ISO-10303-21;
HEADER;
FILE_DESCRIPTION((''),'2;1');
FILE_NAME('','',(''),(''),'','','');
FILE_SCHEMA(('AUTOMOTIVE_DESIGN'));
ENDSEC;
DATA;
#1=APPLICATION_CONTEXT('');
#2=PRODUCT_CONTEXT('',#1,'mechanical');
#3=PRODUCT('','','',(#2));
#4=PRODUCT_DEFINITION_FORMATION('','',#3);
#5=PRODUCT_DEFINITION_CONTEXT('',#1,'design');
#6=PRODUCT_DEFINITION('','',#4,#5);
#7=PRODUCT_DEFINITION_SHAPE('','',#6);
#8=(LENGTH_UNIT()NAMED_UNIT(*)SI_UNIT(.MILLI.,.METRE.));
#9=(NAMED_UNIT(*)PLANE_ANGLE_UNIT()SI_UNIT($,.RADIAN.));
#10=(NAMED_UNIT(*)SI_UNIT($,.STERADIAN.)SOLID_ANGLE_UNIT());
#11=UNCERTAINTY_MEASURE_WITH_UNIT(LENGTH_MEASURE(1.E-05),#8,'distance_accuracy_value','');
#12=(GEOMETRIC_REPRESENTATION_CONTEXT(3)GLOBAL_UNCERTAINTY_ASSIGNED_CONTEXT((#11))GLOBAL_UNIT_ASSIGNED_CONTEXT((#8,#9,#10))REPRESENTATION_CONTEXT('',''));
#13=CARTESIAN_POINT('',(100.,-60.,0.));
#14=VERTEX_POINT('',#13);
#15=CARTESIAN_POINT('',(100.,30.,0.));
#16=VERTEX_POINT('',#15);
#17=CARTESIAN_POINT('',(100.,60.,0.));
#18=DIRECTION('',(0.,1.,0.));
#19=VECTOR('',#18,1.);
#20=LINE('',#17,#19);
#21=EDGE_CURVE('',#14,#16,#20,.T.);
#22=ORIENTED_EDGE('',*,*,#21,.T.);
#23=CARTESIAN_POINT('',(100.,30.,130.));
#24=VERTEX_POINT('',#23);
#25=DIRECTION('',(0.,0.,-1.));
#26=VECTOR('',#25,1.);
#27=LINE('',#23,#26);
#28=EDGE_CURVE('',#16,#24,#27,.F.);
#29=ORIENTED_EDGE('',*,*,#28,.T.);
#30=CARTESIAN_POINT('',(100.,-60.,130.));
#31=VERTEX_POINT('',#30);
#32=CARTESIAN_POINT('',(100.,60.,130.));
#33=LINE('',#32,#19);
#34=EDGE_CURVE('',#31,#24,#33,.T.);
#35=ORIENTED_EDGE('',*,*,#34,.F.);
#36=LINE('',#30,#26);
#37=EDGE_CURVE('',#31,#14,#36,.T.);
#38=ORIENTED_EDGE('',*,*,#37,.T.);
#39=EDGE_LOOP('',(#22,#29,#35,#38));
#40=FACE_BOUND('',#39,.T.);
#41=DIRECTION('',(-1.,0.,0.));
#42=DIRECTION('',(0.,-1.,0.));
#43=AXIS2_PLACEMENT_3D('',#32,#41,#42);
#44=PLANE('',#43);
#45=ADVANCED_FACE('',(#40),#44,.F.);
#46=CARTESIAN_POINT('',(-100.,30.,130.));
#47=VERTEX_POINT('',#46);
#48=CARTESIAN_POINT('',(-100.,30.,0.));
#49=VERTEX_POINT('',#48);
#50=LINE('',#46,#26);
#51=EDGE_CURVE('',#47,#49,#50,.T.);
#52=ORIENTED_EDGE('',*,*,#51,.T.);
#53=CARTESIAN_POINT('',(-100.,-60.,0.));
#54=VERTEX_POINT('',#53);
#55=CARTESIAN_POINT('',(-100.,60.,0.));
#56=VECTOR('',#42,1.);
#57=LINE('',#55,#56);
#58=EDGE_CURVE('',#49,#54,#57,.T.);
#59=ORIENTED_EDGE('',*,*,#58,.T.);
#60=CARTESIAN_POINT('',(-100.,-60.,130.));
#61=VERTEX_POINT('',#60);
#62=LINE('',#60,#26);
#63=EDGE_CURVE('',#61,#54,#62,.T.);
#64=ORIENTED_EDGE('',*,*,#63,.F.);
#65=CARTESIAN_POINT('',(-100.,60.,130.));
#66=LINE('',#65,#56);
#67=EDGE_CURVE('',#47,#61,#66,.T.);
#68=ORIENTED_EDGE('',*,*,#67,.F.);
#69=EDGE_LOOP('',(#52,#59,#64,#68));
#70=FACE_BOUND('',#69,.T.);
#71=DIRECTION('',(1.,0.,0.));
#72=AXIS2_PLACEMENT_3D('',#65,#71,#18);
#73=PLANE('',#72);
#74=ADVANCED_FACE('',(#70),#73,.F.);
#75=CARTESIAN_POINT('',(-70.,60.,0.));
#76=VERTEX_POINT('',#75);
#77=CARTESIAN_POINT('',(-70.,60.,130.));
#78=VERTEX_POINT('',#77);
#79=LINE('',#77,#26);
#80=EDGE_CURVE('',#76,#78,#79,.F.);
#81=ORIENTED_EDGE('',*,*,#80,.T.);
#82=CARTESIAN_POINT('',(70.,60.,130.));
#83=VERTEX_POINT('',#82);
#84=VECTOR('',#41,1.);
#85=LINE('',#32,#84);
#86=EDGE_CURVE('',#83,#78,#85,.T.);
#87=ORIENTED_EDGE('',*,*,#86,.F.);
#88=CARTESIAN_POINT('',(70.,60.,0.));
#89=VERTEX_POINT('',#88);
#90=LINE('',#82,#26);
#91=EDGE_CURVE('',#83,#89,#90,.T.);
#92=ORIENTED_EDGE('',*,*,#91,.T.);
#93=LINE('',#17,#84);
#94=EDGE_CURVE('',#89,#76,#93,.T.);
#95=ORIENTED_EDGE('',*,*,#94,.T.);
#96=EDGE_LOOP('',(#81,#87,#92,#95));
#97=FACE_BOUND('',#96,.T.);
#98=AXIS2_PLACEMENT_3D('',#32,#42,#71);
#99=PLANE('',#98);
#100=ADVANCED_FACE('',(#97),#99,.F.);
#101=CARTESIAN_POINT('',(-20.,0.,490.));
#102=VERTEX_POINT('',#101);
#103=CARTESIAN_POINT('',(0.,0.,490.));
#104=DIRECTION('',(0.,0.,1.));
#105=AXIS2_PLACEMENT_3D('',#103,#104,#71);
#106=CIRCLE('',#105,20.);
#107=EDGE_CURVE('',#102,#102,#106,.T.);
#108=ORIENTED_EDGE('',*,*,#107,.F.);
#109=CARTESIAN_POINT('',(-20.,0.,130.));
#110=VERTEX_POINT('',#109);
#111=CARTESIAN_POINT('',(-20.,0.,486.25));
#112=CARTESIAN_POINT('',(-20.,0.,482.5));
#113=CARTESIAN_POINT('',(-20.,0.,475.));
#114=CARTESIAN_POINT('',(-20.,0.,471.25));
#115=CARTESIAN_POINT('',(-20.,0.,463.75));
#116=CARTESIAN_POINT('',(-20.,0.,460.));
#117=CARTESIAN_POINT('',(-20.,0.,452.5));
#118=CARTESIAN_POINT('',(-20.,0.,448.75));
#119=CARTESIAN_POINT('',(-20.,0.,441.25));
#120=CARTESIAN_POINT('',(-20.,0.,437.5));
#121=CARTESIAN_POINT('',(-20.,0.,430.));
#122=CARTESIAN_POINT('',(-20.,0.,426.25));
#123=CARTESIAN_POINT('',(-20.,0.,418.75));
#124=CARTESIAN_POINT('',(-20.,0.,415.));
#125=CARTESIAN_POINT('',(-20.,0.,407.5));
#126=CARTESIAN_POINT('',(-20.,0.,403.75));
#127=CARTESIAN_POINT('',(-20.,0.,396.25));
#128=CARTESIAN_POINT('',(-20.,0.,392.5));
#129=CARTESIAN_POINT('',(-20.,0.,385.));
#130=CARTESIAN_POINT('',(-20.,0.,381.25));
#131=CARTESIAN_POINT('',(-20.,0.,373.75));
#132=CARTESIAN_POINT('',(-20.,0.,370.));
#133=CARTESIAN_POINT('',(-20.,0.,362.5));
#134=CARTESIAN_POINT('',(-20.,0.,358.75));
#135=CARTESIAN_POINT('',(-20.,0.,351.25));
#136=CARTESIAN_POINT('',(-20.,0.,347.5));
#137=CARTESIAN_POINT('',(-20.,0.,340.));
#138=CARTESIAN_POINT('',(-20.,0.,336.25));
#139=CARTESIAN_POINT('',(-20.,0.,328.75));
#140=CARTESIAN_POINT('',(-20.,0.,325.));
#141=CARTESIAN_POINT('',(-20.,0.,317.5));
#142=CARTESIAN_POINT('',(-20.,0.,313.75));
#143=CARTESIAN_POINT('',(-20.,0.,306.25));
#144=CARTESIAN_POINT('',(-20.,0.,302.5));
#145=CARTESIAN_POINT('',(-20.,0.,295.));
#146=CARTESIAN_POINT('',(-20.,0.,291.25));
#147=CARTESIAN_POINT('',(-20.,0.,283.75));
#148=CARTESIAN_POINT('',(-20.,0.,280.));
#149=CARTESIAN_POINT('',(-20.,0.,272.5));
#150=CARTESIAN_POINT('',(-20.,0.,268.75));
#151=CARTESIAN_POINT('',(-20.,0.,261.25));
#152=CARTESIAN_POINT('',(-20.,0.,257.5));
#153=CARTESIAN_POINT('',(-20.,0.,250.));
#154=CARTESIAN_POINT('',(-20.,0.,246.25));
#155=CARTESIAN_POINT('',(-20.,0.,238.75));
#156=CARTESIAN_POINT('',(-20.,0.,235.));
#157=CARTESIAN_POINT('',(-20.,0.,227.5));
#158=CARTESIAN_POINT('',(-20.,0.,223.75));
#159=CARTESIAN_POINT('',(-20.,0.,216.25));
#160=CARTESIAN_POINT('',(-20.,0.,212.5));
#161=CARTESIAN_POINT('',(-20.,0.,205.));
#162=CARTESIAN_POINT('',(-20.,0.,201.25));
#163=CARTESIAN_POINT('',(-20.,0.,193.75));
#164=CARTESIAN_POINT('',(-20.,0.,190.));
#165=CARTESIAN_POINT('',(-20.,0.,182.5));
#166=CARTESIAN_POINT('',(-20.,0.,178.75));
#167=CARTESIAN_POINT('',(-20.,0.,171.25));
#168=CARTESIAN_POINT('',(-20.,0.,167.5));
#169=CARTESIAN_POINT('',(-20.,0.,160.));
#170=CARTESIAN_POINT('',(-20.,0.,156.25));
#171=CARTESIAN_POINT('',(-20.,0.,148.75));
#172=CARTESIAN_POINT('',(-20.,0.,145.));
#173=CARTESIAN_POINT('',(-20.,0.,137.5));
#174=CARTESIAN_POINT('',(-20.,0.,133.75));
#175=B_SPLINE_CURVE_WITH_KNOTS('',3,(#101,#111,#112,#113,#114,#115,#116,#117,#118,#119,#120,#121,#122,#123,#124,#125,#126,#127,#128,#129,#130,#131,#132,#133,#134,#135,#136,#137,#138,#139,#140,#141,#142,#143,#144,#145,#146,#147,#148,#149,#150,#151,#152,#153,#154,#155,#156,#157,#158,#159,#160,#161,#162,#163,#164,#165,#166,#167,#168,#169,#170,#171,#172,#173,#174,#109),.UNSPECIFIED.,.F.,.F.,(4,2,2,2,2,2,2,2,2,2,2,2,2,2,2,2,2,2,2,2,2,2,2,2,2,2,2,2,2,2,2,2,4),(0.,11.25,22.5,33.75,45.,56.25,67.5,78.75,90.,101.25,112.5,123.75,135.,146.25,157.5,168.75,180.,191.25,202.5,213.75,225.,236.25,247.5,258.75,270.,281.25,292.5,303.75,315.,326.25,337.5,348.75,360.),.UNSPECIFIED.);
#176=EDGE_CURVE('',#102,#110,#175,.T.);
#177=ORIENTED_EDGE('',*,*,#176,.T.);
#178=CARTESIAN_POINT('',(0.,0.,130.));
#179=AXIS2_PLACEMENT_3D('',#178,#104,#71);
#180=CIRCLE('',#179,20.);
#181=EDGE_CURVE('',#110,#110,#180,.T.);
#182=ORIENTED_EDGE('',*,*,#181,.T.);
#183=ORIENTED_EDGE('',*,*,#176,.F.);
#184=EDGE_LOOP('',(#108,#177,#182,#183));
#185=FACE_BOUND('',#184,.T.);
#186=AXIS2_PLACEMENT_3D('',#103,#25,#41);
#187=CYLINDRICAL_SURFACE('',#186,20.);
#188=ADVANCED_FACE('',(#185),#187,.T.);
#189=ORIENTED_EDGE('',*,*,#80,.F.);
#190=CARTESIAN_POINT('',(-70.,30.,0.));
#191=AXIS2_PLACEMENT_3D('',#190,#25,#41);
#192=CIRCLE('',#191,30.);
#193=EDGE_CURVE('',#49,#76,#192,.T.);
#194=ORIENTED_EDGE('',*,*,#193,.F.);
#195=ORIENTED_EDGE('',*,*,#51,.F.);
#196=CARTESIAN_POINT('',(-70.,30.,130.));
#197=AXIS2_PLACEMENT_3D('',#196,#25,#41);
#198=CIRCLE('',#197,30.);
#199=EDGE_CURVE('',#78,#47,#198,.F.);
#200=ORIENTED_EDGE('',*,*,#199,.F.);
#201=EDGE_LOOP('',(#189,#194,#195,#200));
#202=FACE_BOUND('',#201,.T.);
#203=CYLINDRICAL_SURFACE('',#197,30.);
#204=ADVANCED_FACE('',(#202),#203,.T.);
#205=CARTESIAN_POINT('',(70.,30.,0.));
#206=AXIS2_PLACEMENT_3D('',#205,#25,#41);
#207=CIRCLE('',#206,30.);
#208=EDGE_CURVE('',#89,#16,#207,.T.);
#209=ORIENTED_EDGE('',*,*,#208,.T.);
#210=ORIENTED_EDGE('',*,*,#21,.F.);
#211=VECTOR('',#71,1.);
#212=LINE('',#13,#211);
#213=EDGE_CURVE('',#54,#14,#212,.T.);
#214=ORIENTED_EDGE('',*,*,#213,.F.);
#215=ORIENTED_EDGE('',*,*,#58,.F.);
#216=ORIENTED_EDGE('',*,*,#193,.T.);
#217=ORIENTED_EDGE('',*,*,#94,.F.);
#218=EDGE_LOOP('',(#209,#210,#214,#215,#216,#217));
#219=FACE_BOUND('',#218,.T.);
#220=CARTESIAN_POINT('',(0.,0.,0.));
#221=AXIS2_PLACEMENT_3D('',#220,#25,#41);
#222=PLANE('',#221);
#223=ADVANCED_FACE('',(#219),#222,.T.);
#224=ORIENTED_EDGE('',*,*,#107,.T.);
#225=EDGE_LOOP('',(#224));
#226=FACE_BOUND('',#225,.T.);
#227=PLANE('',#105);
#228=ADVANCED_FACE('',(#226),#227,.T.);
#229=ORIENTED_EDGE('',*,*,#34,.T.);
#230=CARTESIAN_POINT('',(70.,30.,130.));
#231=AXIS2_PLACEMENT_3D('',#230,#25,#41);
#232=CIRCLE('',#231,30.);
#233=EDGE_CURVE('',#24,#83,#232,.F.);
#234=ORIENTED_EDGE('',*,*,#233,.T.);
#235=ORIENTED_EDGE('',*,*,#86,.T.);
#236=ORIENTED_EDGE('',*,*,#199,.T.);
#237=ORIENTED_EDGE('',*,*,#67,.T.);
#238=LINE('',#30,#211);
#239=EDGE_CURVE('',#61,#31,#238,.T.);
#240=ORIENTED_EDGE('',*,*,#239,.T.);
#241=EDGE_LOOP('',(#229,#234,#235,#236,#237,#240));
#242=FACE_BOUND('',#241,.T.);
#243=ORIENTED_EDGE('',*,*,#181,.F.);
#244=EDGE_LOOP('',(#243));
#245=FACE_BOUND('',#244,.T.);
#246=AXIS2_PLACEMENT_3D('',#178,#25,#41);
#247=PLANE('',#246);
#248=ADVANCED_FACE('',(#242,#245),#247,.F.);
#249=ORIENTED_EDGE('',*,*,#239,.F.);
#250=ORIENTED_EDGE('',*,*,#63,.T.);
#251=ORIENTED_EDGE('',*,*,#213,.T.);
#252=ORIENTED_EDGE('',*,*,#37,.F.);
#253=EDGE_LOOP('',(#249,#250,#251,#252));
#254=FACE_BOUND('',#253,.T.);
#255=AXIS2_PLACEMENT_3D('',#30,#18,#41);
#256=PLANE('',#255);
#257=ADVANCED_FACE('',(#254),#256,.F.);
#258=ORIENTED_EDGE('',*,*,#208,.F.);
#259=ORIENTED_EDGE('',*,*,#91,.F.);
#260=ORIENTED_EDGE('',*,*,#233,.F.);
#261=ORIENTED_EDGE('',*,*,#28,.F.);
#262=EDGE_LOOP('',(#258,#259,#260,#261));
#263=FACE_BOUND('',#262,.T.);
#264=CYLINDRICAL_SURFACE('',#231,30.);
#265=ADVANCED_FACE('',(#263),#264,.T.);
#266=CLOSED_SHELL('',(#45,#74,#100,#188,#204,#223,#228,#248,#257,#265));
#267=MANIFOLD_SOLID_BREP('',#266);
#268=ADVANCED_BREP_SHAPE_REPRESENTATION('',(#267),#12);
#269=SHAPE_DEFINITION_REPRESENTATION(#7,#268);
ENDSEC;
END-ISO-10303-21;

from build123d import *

# Parameters (mm, degrees)
SKIZZE1_W                       = 200
SKIZZE1_H                       = 120
AUFSATZ_LINEAR_AUSTRAGEN1_DEPTH = 130
SKIZZE2_R                       = 20
AUFSATZ_LINEAR_AUSTRAGEN2_DEPTH = 360
VERRUNDUNG1_R                   = 30


with BuildPart() as part:
    # Skizze1 → Aufsatz-Linear austragen1 (new body)
    with BuildSketch(Plane.XY):
        Rectangle(SKIZZE1_W, SKIZZE1_H)
    extrude(amount=AUFSATZ_LINEAR_AUSTRAGEN1_DEPTH)

    # Skizze2 → Aufsatz-Linear austragen2 (add)
    with BuildSketch(Plane.XY.offset(130)):
        with Locations(Location((0, 0, 0), (0, 0, 180))):
            Circle(SKIZZE2_R)
    extrude(amount=AUFSATZ_LINEAR_AUSTRAGEN2_DEPTH)

    # Verrundung1
    verrundung1_edges = [part.edges().sort_by_distance(p)[0] for p in [
        (-100, 60, 65),
        (100, 60, 65),
    ]]
    fillet(verrundung1_edges, radius=VERRUNDUNG1_R)


solid = part.part
